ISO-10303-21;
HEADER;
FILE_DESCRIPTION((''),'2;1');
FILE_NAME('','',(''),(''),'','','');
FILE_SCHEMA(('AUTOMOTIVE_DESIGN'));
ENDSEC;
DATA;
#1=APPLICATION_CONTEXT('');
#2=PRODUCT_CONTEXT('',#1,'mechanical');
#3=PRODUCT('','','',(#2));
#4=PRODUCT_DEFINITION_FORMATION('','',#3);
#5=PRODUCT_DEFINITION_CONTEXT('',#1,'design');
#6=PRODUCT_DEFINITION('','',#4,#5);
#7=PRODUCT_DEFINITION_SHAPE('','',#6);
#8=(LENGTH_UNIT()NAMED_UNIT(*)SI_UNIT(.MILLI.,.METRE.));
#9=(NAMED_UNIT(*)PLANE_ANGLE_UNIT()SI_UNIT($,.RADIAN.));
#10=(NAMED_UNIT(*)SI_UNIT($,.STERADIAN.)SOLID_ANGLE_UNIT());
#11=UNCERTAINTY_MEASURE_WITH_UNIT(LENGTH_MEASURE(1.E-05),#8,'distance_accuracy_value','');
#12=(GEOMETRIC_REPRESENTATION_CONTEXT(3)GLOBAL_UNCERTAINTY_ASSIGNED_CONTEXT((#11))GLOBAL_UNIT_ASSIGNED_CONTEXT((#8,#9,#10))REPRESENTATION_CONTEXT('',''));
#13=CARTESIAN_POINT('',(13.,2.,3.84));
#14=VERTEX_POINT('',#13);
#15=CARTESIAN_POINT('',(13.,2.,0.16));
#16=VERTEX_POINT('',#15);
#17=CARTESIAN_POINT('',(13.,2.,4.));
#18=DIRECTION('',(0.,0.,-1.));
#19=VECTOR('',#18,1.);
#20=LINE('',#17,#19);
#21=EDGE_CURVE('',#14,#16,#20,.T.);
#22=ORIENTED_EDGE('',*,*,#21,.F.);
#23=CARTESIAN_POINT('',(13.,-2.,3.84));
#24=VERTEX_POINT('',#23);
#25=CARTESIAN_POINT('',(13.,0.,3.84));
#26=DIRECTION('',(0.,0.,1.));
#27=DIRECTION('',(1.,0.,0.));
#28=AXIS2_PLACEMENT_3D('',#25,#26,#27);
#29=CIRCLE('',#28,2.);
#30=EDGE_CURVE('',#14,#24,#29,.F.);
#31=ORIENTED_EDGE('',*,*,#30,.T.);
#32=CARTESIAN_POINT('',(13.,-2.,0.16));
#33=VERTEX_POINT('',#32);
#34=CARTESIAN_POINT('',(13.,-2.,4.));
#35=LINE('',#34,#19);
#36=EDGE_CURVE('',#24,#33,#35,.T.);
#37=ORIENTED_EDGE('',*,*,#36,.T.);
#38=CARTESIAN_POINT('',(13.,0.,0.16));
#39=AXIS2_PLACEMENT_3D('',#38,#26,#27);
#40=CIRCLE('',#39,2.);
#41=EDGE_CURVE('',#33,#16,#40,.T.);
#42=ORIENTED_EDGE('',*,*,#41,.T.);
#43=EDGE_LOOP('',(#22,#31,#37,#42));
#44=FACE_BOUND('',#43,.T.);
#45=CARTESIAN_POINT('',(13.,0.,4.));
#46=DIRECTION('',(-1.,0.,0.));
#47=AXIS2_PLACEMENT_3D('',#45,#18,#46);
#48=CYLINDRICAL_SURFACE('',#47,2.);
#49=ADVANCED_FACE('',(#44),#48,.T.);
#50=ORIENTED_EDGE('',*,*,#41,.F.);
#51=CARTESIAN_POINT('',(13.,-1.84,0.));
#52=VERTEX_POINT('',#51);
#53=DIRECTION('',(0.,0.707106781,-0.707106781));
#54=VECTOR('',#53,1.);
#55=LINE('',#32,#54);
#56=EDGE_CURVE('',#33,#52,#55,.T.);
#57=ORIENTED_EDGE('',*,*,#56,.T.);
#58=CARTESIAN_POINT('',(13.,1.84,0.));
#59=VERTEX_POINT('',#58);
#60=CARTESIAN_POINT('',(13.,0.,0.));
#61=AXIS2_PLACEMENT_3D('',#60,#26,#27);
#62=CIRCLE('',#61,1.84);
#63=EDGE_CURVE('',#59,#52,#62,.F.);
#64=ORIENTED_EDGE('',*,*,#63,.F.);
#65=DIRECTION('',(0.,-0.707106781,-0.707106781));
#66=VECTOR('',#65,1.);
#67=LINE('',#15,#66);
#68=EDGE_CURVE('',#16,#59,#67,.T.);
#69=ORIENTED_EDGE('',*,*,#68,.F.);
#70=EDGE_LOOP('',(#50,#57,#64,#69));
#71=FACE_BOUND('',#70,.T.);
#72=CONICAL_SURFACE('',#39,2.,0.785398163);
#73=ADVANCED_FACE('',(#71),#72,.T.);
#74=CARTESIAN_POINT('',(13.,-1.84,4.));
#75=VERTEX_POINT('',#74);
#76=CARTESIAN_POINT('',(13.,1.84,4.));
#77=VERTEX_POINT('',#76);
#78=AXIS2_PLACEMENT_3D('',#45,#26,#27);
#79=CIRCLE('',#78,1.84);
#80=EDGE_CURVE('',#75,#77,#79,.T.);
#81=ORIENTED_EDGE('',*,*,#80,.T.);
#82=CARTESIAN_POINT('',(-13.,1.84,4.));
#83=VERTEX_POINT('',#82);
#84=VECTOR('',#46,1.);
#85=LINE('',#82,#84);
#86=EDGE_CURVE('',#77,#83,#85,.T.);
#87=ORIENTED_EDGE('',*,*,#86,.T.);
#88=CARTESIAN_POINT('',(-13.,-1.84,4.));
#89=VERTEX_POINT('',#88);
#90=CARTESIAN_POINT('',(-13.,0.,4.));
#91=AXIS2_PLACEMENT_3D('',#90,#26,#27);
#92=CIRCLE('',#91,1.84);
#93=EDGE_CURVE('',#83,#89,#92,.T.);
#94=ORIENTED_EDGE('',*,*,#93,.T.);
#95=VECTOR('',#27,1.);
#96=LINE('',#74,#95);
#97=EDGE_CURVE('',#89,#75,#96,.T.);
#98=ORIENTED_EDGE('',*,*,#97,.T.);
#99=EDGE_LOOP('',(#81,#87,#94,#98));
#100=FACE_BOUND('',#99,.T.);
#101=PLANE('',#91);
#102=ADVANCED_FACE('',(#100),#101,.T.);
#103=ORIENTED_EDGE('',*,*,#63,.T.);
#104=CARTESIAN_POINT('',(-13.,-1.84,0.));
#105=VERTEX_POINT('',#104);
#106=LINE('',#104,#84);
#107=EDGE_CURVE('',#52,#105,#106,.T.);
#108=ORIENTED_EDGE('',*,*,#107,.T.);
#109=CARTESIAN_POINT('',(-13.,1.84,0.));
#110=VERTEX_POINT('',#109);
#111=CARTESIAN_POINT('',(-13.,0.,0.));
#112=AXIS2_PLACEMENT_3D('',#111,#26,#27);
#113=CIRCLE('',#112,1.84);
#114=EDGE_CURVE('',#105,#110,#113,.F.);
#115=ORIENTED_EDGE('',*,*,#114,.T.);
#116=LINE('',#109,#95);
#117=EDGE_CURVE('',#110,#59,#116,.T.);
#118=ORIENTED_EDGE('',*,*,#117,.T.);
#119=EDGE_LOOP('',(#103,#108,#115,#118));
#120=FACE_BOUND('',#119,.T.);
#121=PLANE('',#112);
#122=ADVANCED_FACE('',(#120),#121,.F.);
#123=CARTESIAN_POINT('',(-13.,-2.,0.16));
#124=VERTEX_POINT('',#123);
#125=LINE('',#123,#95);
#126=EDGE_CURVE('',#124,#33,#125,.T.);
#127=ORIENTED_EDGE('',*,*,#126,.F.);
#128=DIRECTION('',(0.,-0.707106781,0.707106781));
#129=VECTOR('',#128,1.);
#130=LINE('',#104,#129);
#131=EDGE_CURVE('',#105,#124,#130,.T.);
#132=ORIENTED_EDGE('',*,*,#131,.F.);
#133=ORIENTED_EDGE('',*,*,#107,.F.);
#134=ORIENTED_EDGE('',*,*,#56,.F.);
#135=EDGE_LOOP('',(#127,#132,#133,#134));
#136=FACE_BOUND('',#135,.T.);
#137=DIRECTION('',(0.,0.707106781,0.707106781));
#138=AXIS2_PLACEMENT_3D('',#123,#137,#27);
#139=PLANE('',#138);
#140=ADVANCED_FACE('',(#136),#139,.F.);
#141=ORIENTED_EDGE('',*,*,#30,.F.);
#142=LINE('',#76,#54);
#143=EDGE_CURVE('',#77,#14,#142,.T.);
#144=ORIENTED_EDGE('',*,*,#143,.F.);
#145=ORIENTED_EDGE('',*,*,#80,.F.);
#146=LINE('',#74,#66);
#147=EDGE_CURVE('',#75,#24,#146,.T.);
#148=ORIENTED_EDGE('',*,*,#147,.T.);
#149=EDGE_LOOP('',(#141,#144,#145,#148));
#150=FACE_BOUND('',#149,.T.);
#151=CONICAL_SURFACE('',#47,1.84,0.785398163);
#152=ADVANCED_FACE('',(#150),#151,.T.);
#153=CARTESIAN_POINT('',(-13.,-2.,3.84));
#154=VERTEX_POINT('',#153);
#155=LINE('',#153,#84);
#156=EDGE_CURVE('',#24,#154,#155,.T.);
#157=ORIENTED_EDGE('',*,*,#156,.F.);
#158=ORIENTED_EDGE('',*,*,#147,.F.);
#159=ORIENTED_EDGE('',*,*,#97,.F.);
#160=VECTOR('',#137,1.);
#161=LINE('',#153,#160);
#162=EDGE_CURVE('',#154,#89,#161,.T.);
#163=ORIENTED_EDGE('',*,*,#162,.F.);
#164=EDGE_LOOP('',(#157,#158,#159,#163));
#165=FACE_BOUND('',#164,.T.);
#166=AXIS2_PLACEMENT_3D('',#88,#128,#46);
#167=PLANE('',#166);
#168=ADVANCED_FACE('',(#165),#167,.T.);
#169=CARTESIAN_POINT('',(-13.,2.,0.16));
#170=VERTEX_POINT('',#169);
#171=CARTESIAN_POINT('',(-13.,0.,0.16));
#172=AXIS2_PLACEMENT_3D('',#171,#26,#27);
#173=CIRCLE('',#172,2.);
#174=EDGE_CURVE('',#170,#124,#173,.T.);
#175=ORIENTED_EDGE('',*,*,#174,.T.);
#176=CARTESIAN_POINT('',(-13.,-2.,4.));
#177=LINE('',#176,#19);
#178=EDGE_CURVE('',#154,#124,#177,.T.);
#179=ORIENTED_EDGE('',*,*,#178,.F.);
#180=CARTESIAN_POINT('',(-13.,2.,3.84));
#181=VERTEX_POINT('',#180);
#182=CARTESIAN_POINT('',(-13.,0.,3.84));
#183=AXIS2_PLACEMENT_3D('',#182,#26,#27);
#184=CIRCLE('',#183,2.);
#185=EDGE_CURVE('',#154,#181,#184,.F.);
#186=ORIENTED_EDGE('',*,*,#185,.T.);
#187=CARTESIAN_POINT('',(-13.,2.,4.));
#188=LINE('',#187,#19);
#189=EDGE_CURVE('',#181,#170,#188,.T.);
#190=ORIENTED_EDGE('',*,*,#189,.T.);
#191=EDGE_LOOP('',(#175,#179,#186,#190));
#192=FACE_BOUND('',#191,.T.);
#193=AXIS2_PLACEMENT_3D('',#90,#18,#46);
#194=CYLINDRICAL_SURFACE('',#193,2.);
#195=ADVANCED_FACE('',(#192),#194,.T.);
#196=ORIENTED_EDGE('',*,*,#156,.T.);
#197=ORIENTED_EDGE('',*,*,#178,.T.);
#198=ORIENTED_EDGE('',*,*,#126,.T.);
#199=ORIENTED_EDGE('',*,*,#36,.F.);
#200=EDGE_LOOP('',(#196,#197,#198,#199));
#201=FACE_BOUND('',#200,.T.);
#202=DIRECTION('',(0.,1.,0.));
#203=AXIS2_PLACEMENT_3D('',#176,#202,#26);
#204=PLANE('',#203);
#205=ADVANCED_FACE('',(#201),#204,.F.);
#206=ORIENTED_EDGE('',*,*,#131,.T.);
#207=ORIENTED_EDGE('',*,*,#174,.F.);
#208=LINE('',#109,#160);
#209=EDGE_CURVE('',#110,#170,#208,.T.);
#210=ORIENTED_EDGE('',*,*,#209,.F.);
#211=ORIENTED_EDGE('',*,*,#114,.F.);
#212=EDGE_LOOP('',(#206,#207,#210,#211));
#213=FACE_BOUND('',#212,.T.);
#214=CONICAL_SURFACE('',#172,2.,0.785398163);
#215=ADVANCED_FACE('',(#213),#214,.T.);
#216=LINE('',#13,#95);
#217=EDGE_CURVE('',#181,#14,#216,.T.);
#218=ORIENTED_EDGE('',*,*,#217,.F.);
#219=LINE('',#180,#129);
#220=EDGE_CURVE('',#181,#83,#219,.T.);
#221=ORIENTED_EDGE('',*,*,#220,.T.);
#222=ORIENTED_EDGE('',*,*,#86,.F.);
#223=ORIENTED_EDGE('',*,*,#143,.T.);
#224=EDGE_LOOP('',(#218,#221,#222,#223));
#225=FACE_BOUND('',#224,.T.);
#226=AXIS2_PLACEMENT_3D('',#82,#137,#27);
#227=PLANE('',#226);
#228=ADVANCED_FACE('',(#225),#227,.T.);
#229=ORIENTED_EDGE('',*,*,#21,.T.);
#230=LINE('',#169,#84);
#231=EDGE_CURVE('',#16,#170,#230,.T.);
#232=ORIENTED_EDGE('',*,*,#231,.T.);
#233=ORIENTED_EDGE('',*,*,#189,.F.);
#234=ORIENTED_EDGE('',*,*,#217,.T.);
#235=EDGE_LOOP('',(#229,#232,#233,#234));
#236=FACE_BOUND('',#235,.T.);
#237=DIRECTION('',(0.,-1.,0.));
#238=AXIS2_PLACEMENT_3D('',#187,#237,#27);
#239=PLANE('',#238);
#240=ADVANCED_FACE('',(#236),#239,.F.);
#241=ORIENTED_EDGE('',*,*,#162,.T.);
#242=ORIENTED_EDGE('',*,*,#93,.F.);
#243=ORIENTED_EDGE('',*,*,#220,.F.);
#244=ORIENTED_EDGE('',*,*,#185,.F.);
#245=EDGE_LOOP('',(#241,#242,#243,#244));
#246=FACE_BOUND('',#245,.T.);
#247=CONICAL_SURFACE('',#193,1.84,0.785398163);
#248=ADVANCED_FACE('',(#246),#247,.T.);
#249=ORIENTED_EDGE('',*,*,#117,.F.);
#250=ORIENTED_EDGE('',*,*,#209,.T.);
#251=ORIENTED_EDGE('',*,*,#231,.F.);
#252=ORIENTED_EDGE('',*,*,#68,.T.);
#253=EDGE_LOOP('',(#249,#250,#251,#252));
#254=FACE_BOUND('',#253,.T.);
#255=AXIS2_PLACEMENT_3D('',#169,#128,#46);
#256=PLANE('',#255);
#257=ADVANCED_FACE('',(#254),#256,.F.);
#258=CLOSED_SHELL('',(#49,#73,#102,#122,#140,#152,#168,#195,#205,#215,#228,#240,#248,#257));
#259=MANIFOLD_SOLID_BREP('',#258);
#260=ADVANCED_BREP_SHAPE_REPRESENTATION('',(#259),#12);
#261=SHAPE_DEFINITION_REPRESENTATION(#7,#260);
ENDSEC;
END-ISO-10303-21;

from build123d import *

# Parameters (mm, degrees)
EXTRUDE_1_DEPTH = 4
CHAMFER_1_SIZE  = 0.16


with BuildPart() as part:
    # 草图1 → 凸台-拉伸1 (new body)
    with BuildSketch(Plane.XY):
        with BuildLine():
            Line((-13, 2), (13, 2))
            ThreePointArc((13, 2), (15, 0), (13, -2))
            Line((13, -2), (-13, -2))
            ThreePointArc((-13, -2), (-15, 0), (-13, 2))
        make_face()
    extrude(amount=EXTRUDE_1_DEPTH)

    # 倒角1
    chamfer_1_edges = [part.edges().sort_by_distance(p)[0] for p in [
        (15, 0, 4),
        (0, 2, 4),
        (-15, 0, 4),
        (0, 2, 0),
        (15, 0, 0),
        (0, -2, 0),
        (-15, 0, 0),
        (0, -2, 4),
    ]]
    chamfer(chamfer_1_edges, length=CHAMFER_1_SIZE)


solid = part.part
